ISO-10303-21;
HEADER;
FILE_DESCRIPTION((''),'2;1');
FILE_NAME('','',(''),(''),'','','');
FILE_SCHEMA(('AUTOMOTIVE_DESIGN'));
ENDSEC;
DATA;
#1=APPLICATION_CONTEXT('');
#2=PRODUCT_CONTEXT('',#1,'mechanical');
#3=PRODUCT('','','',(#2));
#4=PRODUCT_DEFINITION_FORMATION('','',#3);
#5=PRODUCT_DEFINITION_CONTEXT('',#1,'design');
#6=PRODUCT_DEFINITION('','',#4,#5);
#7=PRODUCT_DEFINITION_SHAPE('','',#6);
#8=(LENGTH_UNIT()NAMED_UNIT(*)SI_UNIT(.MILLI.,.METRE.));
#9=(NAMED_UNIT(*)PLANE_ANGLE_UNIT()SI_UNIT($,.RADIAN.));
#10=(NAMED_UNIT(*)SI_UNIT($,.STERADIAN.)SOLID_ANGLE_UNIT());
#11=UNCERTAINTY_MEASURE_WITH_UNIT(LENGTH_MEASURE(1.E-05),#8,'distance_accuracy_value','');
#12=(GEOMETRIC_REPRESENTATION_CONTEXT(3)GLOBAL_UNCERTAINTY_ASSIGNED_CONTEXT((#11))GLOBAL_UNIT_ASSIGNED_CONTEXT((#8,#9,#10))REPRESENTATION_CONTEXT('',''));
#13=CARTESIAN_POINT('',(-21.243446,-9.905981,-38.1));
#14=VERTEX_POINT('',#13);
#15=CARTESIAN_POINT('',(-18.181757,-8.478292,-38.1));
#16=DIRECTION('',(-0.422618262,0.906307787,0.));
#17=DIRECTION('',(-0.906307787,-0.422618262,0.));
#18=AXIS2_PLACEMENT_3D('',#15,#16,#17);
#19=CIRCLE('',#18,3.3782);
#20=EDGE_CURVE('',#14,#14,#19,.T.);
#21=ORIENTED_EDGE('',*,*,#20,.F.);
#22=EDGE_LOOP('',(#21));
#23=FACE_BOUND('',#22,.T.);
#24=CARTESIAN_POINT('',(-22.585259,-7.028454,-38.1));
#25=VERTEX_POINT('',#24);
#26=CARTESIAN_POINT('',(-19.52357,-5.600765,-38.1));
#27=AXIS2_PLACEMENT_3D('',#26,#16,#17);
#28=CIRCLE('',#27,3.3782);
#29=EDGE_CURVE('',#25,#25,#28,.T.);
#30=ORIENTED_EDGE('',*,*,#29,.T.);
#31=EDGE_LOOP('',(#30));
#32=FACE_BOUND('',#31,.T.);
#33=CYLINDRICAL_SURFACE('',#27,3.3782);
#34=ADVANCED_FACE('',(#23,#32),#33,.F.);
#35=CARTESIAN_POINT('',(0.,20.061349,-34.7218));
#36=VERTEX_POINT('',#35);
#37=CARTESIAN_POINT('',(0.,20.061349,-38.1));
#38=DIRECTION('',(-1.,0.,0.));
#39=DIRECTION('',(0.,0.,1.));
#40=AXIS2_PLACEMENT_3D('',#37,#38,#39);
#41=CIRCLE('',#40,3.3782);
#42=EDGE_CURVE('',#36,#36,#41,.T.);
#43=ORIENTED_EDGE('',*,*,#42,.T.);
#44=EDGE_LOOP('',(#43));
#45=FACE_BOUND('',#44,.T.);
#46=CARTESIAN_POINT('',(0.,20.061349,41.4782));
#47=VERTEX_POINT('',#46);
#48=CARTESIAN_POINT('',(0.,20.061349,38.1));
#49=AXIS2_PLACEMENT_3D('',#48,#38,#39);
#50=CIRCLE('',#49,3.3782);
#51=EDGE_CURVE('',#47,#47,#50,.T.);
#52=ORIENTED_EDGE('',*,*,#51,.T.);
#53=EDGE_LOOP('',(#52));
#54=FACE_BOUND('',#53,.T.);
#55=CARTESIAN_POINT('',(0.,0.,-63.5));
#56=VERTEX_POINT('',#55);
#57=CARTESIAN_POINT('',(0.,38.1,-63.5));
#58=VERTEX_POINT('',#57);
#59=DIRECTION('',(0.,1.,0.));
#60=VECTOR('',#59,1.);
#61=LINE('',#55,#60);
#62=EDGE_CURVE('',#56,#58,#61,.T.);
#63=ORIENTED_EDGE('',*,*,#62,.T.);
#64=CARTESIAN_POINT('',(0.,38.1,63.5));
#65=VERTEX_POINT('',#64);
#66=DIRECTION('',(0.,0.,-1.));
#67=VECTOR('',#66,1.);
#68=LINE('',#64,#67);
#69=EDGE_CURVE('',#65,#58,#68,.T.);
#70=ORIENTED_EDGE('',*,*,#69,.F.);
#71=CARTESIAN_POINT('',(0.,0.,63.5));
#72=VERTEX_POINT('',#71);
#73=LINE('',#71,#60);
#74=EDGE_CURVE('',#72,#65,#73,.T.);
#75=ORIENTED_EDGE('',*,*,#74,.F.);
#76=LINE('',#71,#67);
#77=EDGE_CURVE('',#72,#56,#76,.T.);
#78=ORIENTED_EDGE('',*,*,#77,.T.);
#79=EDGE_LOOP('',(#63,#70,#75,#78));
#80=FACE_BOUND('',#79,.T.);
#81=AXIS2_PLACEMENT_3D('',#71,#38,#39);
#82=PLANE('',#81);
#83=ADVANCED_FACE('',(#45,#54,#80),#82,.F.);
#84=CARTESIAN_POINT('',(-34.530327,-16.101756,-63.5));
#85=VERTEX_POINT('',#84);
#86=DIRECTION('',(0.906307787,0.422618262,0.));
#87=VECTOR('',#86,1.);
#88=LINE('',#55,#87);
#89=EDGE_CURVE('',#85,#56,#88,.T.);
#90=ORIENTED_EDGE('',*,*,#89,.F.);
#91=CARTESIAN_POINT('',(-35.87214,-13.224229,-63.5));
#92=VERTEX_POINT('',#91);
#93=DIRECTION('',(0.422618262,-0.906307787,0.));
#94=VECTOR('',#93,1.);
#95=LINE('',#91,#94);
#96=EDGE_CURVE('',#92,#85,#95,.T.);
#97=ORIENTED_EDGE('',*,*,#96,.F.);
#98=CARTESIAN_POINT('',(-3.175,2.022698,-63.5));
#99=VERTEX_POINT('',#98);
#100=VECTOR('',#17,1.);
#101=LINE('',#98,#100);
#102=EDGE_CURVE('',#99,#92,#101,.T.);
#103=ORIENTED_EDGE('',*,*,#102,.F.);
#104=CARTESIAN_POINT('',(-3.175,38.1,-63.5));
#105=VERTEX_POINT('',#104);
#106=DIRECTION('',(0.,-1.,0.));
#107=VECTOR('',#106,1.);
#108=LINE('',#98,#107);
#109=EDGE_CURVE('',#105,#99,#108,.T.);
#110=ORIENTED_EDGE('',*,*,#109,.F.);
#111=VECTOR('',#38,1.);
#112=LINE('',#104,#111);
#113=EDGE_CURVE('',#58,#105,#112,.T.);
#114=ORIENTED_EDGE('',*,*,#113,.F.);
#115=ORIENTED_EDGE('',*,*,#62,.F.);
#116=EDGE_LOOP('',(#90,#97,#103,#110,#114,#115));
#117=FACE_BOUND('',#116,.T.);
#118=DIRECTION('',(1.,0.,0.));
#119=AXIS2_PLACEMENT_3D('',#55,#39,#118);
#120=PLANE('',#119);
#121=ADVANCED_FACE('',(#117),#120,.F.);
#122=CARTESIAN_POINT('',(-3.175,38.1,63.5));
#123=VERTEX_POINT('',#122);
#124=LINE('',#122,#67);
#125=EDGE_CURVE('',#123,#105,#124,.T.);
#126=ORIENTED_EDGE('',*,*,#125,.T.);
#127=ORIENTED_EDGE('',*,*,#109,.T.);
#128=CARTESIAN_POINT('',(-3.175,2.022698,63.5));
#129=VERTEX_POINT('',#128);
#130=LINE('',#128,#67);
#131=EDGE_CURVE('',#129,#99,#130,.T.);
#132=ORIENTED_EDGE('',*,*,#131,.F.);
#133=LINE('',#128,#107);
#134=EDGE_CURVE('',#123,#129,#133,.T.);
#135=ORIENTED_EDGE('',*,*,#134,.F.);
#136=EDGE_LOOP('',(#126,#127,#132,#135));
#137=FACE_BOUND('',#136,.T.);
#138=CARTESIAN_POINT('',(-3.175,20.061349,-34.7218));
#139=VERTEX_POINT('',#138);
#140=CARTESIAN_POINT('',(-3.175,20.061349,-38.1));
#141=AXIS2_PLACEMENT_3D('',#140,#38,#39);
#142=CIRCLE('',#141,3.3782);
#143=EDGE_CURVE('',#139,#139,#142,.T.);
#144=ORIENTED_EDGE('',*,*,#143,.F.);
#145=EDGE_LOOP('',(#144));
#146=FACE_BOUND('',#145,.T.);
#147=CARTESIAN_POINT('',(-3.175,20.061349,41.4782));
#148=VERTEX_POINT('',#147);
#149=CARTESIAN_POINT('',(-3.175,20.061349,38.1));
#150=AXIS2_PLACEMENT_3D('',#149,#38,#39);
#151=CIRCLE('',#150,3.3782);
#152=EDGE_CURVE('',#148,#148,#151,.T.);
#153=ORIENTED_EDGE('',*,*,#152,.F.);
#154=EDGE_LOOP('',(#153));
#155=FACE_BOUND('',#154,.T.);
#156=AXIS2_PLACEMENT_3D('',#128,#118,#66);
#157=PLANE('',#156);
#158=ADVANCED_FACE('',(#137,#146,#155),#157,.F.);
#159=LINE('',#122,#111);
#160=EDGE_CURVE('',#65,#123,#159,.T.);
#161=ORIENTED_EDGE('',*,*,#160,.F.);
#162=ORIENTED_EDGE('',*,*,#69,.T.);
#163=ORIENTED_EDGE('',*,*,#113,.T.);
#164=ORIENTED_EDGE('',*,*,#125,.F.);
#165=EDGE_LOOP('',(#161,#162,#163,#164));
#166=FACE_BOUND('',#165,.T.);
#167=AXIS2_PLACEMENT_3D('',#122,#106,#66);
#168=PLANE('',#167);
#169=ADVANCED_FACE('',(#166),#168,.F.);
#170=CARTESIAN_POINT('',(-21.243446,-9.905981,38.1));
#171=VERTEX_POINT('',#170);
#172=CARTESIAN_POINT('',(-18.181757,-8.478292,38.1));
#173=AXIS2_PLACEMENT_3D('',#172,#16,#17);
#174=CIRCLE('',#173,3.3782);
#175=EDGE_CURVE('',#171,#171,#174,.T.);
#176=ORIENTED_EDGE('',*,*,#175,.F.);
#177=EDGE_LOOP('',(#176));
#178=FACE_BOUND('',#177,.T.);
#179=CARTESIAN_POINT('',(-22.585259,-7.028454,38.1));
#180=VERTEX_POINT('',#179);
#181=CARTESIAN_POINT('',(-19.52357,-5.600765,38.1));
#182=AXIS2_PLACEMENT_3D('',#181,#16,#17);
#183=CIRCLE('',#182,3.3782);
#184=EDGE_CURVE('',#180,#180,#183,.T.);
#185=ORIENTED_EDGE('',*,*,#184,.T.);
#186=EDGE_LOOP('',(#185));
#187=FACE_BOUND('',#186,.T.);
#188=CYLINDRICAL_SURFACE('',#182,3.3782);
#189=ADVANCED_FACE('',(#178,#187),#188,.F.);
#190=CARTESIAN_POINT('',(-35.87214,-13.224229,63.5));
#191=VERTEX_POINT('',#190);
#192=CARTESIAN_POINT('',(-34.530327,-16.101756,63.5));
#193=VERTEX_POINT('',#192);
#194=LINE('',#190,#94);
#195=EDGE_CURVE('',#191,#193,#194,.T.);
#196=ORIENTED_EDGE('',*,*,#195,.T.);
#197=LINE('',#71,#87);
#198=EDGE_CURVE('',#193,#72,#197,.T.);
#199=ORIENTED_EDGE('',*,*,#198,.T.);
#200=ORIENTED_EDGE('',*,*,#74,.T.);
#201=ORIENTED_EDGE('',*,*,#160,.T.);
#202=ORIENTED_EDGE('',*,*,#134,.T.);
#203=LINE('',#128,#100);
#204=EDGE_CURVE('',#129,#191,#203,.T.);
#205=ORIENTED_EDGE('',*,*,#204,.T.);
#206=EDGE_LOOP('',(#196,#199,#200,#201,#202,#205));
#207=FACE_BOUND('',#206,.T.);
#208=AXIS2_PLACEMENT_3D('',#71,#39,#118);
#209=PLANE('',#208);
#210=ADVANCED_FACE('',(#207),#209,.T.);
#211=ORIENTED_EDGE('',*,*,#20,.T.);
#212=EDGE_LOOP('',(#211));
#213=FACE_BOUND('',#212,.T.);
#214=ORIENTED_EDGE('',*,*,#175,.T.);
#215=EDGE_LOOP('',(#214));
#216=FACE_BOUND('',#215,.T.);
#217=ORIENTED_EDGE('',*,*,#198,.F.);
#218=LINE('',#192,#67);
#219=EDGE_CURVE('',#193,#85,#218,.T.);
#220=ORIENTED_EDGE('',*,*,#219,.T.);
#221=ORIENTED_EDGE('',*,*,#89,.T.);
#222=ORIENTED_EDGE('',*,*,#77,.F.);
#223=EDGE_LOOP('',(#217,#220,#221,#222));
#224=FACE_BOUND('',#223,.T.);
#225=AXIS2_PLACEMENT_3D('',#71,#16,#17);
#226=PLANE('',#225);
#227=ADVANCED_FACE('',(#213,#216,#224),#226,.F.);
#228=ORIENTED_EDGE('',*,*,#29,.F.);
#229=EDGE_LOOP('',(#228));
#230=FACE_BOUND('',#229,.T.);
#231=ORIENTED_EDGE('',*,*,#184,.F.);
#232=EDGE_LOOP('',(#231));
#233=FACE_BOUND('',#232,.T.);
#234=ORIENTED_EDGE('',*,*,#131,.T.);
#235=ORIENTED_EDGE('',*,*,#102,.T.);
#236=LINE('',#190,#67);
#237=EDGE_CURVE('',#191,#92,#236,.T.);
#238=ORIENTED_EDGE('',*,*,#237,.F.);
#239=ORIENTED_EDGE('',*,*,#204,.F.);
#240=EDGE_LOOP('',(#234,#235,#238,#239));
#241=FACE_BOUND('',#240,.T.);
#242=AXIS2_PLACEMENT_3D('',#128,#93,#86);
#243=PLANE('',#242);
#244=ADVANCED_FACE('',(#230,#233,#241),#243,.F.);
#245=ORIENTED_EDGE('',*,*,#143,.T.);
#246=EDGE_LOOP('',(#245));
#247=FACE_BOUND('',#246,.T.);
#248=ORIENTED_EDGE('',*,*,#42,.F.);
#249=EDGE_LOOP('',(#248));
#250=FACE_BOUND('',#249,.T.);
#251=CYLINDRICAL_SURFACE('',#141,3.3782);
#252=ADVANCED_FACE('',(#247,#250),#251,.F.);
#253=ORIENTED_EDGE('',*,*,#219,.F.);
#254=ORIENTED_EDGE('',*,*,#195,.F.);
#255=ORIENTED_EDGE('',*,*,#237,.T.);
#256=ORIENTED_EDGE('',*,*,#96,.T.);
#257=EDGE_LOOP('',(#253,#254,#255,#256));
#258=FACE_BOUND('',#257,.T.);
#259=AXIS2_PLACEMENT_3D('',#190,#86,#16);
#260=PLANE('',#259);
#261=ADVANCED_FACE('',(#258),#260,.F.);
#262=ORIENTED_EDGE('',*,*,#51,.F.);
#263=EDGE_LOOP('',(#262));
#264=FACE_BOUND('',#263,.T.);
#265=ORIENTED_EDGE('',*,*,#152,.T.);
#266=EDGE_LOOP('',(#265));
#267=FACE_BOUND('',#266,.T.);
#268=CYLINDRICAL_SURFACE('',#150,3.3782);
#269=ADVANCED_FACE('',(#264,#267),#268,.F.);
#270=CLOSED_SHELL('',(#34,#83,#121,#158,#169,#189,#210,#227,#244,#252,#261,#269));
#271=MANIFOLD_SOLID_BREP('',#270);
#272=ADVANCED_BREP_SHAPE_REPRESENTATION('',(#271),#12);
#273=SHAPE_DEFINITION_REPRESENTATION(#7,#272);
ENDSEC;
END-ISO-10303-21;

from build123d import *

# Parameters (mm, degrees)
BOSS_EXTRUDE1_DEPTH               = 63.5
F_1_4_CLEARANCE_HOLE1_D           = 6.7564
F_1_4_CLEARANCE_HOLE1_ON_FACE_2_D = 6.7564


with BuildPart() as part:
    # Sketch1 → Boss-Extrude1 (new body, symmetric)
    with BuildSketch(Plane.XY):
        Polygon((0, 0), (0, 38.1), (-3.175, 38.1), (-3.175, 2.022698078), (-35.872139667, -13.224228548), (-34.530326686, -16.101755772), align=None)
    extrude(amount=BOSS_EXTRUDE1_DEPTH, both=True)

    # 1/4 Clearance Hole1 (through all)
    with Locations(Plane(origin=(-3.175, 20.061349039, -38.1), x_dir=(0, 0, -1), z_dir=(-1, 0, 0))):
        with Locations((0, 0), (-76.2, 0)):
            Hole(F_1_4_CLEARANCE_HOLE1_D / 2)

    # 1/4 Clearance Hole1 on face 2 (through all)
    with Locations(Plane(origin=(-19.523569834, -5.600765235, -38.1), x_dir=(0.906307925, 0.422617965, 0), z_dir=(-0.422617965, 0.906307925, 0))):
        with Locations((0, 0), (0, -76.2)):
            Hole(F_1_4_CLEARANCE_HOLE1_ON_FACE_2_D / 2)


solid = part.part
